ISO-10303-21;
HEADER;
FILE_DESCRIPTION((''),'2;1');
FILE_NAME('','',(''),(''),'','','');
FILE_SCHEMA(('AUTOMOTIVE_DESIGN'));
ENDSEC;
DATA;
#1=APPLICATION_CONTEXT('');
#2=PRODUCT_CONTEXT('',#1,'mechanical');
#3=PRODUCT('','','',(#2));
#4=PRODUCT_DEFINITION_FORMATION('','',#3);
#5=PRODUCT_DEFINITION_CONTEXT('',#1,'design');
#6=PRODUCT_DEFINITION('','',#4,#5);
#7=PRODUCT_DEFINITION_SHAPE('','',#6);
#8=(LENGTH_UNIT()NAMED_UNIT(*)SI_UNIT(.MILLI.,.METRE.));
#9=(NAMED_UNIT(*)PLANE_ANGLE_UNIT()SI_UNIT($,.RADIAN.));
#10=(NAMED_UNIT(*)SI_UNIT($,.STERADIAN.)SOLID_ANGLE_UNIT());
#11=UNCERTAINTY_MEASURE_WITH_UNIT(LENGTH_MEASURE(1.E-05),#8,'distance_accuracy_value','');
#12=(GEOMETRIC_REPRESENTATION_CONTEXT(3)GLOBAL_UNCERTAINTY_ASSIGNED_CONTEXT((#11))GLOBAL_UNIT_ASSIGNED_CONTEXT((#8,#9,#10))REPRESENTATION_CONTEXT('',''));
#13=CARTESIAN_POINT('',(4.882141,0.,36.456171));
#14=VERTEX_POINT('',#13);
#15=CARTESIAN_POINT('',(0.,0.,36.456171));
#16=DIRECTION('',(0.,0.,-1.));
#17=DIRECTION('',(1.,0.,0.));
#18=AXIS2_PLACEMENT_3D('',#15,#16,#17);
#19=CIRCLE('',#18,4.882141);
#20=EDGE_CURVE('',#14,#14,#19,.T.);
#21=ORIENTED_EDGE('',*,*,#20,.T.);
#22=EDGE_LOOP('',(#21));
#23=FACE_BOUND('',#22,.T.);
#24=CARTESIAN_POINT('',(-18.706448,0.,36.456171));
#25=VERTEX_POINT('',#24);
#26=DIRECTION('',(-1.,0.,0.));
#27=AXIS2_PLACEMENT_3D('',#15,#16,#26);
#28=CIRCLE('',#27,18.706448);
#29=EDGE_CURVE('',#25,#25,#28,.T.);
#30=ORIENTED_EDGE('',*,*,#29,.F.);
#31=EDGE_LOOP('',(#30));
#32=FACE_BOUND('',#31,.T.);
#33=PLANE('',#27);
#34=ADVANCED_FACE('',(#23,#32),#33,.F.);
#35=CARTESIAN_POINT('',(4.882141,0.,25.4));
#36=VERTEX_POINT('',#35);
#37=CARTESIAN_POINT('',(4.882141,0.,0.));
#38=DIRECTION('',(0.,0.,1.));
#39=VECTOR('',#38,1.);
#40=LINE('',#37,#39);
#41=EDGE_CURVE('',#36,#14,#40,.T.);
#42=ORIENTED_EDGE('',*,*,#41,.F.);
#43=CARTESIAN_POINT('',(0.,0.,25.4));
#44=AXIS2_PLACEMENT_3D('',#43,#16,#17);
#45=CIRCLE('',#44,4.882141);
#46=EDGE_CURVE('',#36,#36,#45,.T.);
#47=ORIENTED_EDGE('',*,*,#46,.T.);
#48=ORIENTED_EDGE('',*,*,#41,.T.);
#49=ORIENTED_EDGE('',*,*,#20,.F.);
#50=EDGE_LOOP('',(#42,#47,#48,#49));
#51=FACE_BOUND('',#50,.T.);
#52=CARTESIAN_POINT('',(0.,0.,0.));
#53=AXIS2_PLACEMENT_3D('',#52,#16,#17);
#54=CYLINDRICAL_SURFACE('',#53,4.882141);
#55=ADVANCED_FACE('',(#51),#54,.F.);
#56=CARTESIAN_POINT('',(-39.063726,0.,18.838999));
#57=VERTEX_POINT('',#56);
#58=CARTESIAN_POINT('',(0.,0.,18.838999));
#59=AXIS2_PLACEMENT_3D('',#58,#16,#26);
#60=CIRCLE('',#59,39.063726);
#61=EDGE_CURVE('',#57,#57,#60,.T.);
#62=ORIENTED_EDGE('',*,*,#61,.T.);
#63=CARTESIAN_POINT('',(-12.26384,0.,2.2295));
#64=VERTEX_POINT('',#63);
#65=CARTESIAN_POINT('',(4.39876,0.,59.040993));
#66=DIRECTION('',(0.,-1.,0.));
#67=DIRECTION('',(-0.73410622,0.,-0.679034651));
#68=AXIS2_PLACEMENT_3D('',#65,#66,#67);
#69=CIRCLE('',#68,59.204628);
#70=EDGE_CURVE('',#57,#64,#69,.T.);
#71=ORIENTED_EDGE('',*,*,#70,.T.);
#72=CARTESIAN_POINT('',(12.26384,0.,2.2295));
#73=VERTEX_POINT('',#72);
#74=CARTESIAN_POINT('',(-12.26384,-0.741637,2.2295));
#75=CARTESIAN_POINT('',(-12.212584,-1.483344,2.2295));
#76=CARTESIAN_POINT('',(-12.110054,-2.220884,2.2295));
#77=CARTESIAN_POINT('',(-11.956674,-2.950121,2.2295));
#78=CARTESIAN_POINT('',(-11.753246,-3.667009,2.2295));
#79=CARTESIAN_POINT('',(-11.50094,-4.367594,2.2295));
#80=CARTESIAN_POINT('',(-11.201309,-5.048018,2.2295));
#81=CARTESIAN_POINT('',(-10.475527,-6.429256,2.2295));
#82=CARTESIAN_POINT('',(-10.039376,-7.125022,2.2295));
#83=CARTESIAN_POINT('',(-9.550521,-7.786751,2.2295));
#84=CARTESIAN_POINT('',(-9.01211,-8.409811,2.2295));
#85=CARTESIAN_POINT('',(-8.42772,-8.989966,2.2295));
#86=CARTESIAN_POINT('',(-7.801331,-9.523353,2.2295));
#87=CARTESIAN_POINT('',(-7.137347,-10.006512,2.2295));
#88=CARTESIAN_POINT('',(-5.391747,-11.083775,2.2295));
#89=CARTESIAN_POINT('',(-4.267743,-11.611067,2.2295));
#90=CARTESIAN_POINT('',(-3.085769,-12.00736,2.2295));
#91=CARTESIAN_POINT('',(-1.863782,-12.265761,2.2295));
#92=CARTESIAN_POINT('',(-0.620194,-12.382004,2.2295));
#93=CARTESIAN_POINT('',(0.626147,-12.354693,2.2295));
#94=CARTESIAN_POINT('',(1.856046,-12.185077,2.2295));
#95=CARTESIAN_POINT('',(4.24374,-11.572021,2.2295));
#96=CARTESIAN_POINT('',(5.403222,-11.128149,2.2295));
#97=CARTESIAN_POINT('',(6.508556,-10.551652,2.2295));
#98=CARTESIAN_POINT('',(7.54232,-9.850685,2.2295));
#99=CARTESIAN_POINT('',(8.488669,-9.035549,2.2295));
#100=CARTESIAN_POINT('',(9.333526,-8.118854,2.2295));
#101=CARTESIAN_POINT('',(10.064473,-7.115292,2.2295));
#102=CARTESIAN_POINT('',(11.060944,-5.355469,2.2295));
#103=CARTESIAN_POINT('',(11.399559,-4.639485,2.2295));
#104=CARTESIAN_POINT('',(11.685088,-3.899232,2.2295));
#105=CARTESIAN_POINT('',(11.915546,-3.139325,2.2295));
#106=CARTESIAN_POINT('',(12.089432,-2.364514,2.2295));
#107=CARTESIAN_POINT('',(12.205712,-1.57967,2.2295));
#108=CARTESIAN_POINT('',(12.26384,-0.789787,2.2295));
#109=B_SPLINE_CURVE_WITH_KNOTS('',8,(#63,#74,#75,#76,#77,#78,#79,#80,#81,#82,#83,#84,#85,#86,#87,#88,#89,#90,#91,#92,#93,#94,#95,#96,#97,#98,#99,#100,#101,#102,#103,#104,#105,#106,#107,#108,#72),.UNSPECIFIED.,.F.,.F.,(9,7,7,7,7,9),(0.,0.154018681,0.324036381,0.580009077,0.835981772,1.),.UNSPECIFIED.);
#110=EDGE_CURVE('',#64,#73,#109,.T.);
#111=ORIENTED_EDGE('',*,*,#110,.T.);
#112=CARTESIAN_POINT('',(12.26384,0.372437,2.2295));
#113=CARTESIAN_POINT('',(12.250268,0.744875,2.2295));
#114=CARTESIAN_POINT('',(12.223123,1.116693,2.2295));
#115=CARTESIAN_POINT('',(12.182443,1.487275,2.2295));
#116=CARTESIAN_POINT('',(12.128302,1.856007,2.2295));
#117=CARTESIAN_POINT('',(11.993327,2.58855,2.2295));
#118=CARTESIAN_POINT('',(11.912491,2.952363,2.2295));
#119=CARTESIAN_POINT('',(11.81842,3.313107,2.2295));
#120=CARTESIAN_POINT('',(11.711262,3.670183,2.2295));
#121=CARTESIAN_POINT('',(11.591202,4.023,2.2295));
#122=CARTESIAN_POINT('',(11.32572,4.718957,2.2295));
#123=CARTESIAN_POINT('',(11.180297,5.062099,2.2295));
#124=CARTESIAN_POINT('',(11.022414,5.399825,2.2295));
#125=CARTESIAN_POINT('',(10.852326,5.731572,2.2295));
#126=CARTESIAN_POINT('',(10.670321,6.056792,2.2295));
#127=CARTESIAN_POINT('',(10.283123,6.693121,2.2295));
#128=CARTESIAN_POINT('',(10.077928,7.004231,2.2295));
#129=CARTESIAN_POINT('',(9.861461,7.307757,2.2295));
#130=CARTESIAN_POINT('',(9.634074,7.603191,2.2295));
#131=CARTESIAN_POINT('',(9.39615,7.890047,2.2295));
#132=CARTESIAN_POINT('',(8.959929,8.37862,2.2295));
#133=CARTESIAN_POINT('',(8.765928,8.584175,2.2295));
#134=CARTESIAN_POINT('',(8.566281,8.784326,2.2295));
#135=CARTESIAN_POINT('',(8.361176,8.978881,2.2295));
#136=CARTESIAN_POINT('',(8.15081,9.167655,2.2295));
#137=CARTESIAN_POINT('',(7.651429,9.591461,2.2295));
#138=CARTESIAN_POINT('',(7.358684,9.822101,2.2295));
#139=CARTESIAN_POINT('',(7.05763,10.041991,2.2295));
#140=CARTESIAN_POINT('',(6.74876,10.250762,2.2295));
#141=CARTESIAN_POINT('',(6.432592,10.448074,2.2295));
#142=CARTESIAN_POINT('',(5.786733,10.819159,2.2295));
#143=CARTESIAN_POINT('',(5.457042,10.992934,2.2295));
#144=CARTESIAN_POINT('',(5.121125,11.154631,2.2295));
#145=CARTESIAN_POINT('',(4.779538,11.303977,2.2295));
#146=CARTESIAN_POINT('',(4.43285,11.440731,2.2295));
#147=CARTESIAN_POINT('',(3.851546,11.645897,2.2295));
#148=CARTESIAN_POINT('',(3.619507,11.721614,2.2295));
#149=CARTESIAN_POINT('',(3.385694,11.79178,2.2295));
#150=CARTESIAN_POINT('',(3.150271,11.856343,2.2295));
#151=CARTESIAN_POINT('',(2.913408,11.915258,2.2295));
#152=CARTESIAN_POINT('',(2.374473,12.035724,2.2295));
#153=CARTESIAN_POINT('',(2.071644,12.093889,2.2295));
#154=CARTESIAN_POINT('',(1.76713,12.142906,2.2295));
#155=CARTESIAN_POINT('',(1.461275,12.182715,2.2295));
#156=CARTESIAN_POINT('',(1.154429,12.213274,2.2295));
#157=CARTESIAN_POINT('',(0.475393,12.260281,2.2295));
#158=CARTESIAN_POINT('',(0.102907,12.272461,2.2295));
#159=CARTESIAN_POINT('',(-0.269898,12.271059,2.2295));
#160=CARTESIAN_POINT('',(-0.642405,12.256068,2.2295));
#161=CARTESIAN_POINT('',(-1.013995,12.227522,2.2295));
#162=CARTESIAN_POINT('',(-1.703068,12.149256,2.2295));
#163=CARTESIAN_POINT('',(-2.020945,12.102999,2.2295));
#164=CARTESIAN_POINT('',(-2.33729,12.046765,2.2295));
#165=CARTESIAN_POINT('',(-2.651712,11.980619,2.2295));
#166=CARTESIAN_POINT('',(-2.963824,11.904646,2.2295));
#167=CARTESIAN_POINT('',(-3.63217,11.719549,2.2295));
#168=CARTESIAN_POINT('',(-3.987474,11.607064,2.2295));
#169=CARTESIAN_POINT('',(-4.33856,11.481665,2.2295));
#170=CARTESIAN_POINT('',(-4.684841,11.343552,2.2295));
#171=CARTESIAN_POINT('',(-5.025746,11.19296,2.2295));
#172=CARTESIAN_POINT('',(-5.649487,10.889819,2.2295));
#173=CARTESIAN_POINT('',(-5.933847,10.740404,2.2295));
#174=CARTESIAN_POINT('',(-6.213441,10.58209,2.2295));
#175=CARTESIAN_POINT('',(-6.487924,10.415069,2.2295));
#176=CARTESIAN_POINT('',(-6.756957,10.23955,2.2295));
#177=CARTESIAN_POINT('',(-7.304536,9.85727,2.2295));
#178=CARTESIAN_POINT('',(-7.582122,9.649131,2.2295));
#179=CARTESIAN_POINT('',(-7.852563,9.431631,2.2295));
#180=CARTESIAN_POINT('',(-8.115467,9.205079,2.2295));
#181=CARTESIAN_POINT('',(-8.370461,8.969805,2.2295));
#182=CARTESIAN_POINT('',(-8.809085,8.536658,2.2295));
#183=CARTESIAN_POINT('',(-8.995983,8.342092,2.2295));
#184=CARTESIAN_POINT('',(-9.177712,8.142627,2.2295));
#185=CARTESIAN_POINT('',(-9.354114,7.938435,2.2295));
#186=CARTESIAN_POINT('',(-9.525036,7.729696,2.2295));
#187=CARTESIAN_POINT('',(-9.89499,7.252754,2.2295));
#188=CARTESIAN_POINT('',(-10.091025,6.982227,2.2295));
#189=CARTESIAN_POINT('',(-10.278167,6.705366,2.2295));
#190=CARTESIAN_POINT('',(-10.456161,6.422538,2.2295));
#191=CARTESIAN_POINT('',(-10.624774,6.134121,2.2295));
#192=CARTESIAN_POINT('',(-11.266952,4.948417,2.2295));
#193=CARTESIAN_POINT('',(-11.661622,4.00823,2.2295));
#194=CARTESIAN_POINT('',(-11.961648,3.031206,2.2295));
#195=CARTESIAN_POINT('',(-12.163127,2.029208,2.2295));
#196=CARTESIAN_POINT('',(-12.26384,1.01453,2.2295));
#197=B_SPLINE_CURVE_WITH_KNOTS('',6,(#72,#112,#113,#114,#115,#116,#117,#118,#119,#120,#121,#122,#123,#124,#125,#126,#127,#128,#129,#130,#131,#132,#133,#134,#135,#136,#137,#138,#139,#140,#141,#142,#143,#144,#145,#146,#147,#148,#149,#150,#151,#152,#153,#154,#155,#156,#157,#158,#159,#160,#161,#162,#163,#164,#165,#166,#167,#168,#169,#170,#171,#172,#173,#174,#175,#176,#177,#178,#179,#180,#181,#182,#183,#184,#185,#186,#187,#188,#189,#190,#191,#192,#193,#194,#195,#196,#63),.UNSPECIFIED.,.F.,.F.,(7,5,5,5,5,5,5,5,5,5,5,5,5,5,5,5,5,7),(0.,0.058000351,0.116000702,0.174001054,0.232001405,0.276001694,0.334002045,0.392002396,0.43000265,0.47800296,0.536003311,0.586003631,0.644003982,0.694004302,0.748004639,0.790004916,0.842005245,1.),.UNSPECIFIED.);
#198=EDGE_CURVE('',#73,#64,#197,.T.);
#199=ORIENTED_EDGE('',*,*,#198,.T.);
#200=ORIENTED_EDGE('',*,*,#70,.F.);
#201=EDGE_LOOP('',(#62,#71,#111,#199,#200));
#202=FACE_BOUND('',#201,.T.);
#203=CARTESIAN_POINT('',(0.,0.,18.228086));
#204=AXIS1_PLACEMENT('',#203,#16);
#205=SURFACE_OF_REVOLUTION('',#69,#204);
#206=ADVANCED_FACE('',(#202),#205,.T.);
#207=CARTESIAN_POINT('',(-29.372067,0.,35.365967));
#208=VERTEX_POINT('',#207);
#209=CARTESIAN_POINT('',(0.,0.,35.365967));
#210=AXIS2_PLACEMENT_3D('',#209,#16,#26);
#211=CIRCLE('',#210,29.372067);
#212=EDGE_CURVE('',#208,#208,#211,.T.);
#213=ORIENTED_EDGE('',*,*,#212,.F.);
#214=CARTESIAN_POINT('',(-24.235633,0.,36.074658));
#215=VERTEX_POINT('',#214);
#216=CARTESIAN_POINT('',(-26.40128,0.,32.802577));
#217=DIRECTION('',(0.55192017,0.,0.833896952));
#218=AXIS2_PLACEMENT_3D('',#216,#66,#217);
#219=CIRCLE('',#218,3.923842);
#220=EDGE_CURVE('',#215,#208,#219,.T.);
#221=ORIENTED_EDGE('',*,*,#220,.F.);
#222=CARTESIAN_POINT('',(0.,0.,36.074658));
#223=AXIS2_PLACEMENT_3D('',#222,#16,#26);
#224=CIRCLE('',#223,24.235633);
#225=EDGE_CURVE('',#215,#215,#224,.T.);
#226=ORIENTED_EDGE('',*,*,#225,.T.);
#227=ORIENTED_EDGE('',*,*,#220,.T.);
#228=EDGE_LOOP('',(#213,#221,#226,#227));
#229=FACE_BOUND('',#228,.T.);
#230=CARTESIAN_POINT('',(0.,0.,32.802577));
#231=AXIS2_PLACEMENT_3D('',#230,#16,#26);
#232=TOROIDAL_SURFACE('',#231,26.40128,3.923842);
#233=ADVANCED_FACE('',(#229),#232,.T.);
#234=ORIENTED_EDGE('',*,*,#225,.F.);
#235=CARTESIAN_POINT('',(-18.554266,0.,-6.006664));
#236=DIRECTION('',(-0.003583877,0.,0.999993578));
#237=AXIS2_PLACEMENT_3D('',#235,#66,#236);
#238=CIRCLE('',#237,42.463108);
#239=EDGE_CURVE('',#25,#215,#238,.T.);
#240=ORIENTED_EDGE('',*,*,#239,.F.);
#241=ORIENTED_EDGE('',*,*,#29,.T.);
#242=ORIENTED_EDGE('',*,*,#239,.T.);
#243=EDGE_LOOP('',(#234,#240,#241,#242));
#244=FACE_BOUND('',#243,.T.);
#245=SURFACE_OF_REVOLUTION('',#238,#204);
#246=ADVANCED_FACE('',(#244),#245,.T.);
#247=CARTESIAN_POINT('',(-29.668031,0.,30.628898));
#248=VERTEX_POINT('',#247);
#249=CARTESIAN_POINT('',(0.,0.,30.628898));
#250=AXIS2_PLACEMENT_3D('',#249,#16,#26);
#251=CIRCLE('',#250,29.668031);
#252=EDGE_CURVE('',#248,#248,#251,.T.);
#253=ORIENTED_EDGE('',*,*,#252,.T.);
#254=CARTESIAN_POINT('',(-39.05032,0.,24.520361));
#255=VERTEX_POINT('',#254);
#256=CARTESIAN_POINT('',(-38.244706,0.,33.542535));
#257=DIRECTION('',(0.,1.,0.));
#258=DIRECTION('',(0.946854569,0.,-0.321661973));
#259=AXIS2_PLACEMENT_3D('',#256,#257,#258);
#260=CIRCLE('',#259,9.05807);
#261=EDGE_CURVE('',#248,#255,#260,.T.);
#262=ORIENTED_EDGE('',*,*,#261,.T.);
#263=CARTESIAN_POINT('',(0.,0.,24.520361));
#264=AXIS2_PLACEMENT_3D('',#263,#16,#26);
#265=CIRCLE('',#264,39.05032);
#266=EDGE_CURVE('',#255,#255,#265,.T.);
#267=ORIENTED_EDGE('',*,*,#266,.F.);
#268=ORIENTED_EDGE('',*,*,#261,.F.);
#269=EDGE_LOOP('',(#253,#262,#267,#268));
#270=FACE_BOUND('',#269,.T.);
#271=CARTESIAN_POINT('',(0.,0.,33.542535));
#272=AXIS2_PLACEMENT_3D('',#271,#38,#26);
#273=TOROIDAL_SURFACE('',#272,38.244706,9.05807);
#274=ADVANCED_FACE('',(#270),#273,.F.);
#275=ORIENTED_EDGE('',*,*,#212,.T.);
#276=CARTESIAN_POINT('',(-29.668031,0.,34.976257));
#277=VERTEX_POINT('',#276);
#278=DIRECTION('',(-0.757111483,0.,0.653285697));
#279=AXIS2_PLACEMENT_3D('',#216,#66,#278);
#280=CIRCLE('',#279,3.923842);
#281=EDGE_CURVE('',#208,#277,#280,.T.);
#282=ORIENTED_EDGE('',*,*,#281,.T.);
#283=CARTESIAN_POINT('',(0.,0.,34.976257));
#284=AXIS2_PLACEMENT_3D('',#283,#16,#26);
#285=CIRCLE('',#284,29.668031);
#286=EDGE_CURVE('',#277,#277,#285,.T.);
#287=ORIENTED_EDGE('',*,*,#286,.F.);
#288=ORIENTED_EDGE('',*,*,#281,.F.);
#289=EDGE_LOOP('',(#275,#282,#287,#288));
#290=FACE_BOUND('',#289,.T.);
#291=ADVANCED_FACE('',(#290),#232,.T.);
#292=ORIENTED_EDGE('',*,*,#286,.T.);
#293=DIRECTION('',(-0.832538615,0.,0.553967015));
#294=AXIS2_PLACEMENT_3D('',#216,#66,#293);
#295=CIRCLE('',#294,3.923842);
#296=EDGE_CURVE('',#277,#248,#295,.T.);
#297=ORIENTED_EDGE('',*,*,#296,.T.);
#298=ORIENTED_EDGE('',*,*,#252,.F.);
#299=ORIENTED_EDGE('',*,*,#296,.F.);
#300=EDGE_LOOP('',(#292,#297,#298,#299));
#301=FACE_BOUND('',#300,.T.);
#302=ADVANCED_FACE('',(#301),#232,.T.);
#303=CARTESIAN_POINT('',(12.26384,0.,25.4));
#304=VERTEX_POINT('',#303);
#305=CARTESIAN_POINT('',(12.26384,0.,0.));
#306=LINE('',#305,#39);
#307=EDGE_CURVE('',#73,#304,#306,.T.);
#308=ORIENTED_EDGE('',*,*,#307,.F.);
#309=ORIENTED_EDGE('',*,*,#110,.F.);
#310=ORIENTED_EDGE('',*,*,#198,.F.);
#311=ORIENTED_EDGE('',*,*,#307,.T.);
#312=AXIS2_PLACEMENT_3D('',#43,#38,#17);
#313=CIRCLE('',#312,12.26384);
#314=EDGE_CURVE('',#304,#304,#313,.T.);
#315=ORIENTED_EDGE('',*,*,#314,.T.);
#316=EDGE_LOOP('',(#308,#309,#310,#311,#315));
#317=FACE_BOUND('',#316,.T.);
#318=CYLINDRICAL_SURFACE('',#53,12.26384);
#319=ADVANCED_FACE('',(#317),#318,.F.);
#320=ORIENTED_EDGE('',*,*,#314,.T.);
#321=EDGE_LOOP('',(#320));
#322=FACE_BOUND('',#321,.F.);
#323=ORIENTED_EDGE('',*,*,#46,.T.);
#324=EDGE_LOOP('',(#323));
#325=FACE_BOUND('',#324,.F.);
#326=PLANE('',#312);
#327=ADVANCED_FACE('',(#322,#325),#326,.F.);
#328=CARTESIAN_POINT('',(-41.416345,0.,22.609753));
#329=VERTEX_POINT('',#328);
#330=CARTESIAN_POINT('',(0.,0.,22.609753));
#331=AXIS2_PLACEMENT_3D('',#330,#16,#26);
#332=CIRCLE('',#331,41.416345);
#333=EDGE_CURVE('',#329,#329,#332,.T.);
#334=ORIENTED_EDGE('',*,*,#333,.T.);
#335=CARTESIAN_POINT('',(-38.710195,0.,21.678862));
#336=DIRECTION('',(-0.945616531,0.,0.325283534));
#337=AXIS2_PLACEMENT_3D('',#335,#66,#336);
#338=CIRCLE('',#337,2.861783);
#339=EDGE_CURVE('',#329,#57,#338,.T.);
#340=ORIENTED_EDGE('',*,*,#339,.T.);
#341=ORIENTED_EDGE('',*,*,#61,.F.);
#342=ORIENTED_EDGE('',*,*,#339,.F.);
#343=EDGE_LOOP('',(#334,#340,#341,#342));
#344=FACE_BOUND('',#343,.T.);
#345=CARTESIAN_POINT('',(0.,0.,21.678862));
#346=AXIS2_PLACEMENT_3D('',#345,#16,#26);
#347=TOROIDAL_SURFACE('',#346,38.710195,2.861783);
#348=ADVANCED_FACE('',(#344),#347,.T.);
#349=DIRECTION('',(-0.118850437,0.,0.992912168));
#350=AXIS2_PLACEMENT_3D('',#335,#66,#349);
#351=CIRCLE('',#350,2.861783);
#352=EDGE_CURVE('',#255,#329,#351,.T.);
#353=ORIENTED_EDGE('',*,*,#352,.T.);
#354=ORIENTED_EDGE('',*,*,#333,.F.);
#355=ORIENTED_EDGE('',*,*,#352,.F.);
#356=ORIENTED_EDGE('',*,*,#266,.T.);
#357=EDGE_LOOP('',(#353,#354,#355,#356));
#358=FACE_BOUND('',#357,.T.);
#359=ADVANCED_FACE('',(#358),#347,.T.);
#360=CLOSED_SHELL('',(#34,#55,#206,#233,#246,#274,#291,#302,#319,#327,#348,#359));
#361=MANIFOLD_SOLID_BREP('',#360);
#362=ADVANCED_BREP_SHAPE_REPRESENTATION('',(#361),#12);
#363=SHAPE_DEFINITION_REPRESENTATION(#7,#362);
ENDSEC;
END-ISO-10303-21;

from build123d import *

# Parameters (mm, degrees)
F2_R     = 12.2638401189
F3_DEPTH = 25.4
F4_R     = 4.8821407777
F5_DEPTH = 62.738


with BuildPart() as f1:
    # F0 (on Front) → F1 (revolve)
    with BuildSketch(Plane.XZ):
        with BuildLine():
            ThreePointArc((-41.4163447982, 22.609752825), (-40.8268056121, 21.1762580364), (-39.9941914092, 19.8688876413))
            ThreePointArc((-39.9941914092, 19.8688876413), (-39.5319767858, 19.3512167605), (-39.0637259203, 18.8389993985))
            ThreePointArc((-39.0637259203, 18.8389993985), (-21.3189710508, 5.7138304561), (0, 0))
            Line((0, 0), (0, 36.4561714232))
            Line((0, 36.4561714232), (-18.7064483762, 36.4561714232))
            ThreePointArc((-18.7064483762, 36.4561714232), (-21.4772716419, 36.3557201227), (-24.2356327225, 36.0746575267))
            ThreePointArc((-24.2356327225, 36.0746575267), (-26.9375847914, 36.6895963131), (-29.3720665246, 35.3659674437))
            ThreePointArc((-29.3720665246, 35.3659674437), (-29.3429803765, 35.2182193821), (-29.3163543671, 35.0700082173))
            ThreePointArc((-29.3163543671, 35.0700082173), (-29.4922929789, 35.0235091921), (-29.6680306996, 34.9762565945))
            ThreePointArc((-29.6680306996, 34.9762565945), (-30.3251227676, 32.8025773755), (-29.6680306996, 30.6288981564))
            ThreePointArc((-29.6680306996, 30.6288981564), (-33.3024487052, 25.9515712642), (-39.0503195166, 24.520361206))
            ThreePointArc((-39.0503195166, 24.520361206), (-40.508125222, 23.9053503715), (-41.4163447982, 22.609752825))
        make_face()
        with BuildLine():
            ThreePointArc((-39.0637259203, 18.8389993985), (-39.5493577832, 19.3355136797), (-39.9941914092, 19.8688876413))
            ThreePointArc((-39.9941914092, 19.8688876413), (-40.8268056121, 21.1762580364), (-41.4163447982, 22.609752825))
            ThreePointArc((-41.4163447982, 22.609752825), (-41.1381689466, 20.1640196542), (-39.0637259203, 18.8389993985))
        make_face()
        with BuildLine():
            ThreePointArc((-39.0637259203, 18.8389993985), (-39.5319767858, 19.3512167605), (-39.9941914092, 19.8688876413))
            ThreePointArc((-39.9941914092, 19.8688876413), (-39.5493577832, 19.3355136797), (-39.0637259203, 18.8389993985))
        make_face()
        with BuildLine():
            ThreePointArc((-29.3720665246, 35.3659674437), (-29.526129804, 35.1757303533), (-29.6680306996, 34.9762565945))
            ThreePointArc((-29.6680306996, 34.9762565945), (-29.4922929789, 35.0235091921), (-29.3163543671, 35.0700082173))
            ThreePointArc((-29.3163543671, 35.0700082173), (-29.3429803765, 35.2182193821), (-29.3720665246, 35.3659674437))
        make_face()
    revolve(axis=Axis((0, 0, 18.2280857116), (0, 0, -1)))

    # F2 (on Top) → F3 (cut)
    with BuildSketch(Plane.XY):
        Circle(F2_R)
    extrude(amount=F3_DEPTH, mode=Mode.SUBTRACT)

    # F4 (on Top) → F5 (cut)
    with BuildSketch(Plane.XY):
        Circle(F4_R)
    extrude(amount=F5_DEPTH, mode=Mode.SUBTRACT)


solid = f1.part
